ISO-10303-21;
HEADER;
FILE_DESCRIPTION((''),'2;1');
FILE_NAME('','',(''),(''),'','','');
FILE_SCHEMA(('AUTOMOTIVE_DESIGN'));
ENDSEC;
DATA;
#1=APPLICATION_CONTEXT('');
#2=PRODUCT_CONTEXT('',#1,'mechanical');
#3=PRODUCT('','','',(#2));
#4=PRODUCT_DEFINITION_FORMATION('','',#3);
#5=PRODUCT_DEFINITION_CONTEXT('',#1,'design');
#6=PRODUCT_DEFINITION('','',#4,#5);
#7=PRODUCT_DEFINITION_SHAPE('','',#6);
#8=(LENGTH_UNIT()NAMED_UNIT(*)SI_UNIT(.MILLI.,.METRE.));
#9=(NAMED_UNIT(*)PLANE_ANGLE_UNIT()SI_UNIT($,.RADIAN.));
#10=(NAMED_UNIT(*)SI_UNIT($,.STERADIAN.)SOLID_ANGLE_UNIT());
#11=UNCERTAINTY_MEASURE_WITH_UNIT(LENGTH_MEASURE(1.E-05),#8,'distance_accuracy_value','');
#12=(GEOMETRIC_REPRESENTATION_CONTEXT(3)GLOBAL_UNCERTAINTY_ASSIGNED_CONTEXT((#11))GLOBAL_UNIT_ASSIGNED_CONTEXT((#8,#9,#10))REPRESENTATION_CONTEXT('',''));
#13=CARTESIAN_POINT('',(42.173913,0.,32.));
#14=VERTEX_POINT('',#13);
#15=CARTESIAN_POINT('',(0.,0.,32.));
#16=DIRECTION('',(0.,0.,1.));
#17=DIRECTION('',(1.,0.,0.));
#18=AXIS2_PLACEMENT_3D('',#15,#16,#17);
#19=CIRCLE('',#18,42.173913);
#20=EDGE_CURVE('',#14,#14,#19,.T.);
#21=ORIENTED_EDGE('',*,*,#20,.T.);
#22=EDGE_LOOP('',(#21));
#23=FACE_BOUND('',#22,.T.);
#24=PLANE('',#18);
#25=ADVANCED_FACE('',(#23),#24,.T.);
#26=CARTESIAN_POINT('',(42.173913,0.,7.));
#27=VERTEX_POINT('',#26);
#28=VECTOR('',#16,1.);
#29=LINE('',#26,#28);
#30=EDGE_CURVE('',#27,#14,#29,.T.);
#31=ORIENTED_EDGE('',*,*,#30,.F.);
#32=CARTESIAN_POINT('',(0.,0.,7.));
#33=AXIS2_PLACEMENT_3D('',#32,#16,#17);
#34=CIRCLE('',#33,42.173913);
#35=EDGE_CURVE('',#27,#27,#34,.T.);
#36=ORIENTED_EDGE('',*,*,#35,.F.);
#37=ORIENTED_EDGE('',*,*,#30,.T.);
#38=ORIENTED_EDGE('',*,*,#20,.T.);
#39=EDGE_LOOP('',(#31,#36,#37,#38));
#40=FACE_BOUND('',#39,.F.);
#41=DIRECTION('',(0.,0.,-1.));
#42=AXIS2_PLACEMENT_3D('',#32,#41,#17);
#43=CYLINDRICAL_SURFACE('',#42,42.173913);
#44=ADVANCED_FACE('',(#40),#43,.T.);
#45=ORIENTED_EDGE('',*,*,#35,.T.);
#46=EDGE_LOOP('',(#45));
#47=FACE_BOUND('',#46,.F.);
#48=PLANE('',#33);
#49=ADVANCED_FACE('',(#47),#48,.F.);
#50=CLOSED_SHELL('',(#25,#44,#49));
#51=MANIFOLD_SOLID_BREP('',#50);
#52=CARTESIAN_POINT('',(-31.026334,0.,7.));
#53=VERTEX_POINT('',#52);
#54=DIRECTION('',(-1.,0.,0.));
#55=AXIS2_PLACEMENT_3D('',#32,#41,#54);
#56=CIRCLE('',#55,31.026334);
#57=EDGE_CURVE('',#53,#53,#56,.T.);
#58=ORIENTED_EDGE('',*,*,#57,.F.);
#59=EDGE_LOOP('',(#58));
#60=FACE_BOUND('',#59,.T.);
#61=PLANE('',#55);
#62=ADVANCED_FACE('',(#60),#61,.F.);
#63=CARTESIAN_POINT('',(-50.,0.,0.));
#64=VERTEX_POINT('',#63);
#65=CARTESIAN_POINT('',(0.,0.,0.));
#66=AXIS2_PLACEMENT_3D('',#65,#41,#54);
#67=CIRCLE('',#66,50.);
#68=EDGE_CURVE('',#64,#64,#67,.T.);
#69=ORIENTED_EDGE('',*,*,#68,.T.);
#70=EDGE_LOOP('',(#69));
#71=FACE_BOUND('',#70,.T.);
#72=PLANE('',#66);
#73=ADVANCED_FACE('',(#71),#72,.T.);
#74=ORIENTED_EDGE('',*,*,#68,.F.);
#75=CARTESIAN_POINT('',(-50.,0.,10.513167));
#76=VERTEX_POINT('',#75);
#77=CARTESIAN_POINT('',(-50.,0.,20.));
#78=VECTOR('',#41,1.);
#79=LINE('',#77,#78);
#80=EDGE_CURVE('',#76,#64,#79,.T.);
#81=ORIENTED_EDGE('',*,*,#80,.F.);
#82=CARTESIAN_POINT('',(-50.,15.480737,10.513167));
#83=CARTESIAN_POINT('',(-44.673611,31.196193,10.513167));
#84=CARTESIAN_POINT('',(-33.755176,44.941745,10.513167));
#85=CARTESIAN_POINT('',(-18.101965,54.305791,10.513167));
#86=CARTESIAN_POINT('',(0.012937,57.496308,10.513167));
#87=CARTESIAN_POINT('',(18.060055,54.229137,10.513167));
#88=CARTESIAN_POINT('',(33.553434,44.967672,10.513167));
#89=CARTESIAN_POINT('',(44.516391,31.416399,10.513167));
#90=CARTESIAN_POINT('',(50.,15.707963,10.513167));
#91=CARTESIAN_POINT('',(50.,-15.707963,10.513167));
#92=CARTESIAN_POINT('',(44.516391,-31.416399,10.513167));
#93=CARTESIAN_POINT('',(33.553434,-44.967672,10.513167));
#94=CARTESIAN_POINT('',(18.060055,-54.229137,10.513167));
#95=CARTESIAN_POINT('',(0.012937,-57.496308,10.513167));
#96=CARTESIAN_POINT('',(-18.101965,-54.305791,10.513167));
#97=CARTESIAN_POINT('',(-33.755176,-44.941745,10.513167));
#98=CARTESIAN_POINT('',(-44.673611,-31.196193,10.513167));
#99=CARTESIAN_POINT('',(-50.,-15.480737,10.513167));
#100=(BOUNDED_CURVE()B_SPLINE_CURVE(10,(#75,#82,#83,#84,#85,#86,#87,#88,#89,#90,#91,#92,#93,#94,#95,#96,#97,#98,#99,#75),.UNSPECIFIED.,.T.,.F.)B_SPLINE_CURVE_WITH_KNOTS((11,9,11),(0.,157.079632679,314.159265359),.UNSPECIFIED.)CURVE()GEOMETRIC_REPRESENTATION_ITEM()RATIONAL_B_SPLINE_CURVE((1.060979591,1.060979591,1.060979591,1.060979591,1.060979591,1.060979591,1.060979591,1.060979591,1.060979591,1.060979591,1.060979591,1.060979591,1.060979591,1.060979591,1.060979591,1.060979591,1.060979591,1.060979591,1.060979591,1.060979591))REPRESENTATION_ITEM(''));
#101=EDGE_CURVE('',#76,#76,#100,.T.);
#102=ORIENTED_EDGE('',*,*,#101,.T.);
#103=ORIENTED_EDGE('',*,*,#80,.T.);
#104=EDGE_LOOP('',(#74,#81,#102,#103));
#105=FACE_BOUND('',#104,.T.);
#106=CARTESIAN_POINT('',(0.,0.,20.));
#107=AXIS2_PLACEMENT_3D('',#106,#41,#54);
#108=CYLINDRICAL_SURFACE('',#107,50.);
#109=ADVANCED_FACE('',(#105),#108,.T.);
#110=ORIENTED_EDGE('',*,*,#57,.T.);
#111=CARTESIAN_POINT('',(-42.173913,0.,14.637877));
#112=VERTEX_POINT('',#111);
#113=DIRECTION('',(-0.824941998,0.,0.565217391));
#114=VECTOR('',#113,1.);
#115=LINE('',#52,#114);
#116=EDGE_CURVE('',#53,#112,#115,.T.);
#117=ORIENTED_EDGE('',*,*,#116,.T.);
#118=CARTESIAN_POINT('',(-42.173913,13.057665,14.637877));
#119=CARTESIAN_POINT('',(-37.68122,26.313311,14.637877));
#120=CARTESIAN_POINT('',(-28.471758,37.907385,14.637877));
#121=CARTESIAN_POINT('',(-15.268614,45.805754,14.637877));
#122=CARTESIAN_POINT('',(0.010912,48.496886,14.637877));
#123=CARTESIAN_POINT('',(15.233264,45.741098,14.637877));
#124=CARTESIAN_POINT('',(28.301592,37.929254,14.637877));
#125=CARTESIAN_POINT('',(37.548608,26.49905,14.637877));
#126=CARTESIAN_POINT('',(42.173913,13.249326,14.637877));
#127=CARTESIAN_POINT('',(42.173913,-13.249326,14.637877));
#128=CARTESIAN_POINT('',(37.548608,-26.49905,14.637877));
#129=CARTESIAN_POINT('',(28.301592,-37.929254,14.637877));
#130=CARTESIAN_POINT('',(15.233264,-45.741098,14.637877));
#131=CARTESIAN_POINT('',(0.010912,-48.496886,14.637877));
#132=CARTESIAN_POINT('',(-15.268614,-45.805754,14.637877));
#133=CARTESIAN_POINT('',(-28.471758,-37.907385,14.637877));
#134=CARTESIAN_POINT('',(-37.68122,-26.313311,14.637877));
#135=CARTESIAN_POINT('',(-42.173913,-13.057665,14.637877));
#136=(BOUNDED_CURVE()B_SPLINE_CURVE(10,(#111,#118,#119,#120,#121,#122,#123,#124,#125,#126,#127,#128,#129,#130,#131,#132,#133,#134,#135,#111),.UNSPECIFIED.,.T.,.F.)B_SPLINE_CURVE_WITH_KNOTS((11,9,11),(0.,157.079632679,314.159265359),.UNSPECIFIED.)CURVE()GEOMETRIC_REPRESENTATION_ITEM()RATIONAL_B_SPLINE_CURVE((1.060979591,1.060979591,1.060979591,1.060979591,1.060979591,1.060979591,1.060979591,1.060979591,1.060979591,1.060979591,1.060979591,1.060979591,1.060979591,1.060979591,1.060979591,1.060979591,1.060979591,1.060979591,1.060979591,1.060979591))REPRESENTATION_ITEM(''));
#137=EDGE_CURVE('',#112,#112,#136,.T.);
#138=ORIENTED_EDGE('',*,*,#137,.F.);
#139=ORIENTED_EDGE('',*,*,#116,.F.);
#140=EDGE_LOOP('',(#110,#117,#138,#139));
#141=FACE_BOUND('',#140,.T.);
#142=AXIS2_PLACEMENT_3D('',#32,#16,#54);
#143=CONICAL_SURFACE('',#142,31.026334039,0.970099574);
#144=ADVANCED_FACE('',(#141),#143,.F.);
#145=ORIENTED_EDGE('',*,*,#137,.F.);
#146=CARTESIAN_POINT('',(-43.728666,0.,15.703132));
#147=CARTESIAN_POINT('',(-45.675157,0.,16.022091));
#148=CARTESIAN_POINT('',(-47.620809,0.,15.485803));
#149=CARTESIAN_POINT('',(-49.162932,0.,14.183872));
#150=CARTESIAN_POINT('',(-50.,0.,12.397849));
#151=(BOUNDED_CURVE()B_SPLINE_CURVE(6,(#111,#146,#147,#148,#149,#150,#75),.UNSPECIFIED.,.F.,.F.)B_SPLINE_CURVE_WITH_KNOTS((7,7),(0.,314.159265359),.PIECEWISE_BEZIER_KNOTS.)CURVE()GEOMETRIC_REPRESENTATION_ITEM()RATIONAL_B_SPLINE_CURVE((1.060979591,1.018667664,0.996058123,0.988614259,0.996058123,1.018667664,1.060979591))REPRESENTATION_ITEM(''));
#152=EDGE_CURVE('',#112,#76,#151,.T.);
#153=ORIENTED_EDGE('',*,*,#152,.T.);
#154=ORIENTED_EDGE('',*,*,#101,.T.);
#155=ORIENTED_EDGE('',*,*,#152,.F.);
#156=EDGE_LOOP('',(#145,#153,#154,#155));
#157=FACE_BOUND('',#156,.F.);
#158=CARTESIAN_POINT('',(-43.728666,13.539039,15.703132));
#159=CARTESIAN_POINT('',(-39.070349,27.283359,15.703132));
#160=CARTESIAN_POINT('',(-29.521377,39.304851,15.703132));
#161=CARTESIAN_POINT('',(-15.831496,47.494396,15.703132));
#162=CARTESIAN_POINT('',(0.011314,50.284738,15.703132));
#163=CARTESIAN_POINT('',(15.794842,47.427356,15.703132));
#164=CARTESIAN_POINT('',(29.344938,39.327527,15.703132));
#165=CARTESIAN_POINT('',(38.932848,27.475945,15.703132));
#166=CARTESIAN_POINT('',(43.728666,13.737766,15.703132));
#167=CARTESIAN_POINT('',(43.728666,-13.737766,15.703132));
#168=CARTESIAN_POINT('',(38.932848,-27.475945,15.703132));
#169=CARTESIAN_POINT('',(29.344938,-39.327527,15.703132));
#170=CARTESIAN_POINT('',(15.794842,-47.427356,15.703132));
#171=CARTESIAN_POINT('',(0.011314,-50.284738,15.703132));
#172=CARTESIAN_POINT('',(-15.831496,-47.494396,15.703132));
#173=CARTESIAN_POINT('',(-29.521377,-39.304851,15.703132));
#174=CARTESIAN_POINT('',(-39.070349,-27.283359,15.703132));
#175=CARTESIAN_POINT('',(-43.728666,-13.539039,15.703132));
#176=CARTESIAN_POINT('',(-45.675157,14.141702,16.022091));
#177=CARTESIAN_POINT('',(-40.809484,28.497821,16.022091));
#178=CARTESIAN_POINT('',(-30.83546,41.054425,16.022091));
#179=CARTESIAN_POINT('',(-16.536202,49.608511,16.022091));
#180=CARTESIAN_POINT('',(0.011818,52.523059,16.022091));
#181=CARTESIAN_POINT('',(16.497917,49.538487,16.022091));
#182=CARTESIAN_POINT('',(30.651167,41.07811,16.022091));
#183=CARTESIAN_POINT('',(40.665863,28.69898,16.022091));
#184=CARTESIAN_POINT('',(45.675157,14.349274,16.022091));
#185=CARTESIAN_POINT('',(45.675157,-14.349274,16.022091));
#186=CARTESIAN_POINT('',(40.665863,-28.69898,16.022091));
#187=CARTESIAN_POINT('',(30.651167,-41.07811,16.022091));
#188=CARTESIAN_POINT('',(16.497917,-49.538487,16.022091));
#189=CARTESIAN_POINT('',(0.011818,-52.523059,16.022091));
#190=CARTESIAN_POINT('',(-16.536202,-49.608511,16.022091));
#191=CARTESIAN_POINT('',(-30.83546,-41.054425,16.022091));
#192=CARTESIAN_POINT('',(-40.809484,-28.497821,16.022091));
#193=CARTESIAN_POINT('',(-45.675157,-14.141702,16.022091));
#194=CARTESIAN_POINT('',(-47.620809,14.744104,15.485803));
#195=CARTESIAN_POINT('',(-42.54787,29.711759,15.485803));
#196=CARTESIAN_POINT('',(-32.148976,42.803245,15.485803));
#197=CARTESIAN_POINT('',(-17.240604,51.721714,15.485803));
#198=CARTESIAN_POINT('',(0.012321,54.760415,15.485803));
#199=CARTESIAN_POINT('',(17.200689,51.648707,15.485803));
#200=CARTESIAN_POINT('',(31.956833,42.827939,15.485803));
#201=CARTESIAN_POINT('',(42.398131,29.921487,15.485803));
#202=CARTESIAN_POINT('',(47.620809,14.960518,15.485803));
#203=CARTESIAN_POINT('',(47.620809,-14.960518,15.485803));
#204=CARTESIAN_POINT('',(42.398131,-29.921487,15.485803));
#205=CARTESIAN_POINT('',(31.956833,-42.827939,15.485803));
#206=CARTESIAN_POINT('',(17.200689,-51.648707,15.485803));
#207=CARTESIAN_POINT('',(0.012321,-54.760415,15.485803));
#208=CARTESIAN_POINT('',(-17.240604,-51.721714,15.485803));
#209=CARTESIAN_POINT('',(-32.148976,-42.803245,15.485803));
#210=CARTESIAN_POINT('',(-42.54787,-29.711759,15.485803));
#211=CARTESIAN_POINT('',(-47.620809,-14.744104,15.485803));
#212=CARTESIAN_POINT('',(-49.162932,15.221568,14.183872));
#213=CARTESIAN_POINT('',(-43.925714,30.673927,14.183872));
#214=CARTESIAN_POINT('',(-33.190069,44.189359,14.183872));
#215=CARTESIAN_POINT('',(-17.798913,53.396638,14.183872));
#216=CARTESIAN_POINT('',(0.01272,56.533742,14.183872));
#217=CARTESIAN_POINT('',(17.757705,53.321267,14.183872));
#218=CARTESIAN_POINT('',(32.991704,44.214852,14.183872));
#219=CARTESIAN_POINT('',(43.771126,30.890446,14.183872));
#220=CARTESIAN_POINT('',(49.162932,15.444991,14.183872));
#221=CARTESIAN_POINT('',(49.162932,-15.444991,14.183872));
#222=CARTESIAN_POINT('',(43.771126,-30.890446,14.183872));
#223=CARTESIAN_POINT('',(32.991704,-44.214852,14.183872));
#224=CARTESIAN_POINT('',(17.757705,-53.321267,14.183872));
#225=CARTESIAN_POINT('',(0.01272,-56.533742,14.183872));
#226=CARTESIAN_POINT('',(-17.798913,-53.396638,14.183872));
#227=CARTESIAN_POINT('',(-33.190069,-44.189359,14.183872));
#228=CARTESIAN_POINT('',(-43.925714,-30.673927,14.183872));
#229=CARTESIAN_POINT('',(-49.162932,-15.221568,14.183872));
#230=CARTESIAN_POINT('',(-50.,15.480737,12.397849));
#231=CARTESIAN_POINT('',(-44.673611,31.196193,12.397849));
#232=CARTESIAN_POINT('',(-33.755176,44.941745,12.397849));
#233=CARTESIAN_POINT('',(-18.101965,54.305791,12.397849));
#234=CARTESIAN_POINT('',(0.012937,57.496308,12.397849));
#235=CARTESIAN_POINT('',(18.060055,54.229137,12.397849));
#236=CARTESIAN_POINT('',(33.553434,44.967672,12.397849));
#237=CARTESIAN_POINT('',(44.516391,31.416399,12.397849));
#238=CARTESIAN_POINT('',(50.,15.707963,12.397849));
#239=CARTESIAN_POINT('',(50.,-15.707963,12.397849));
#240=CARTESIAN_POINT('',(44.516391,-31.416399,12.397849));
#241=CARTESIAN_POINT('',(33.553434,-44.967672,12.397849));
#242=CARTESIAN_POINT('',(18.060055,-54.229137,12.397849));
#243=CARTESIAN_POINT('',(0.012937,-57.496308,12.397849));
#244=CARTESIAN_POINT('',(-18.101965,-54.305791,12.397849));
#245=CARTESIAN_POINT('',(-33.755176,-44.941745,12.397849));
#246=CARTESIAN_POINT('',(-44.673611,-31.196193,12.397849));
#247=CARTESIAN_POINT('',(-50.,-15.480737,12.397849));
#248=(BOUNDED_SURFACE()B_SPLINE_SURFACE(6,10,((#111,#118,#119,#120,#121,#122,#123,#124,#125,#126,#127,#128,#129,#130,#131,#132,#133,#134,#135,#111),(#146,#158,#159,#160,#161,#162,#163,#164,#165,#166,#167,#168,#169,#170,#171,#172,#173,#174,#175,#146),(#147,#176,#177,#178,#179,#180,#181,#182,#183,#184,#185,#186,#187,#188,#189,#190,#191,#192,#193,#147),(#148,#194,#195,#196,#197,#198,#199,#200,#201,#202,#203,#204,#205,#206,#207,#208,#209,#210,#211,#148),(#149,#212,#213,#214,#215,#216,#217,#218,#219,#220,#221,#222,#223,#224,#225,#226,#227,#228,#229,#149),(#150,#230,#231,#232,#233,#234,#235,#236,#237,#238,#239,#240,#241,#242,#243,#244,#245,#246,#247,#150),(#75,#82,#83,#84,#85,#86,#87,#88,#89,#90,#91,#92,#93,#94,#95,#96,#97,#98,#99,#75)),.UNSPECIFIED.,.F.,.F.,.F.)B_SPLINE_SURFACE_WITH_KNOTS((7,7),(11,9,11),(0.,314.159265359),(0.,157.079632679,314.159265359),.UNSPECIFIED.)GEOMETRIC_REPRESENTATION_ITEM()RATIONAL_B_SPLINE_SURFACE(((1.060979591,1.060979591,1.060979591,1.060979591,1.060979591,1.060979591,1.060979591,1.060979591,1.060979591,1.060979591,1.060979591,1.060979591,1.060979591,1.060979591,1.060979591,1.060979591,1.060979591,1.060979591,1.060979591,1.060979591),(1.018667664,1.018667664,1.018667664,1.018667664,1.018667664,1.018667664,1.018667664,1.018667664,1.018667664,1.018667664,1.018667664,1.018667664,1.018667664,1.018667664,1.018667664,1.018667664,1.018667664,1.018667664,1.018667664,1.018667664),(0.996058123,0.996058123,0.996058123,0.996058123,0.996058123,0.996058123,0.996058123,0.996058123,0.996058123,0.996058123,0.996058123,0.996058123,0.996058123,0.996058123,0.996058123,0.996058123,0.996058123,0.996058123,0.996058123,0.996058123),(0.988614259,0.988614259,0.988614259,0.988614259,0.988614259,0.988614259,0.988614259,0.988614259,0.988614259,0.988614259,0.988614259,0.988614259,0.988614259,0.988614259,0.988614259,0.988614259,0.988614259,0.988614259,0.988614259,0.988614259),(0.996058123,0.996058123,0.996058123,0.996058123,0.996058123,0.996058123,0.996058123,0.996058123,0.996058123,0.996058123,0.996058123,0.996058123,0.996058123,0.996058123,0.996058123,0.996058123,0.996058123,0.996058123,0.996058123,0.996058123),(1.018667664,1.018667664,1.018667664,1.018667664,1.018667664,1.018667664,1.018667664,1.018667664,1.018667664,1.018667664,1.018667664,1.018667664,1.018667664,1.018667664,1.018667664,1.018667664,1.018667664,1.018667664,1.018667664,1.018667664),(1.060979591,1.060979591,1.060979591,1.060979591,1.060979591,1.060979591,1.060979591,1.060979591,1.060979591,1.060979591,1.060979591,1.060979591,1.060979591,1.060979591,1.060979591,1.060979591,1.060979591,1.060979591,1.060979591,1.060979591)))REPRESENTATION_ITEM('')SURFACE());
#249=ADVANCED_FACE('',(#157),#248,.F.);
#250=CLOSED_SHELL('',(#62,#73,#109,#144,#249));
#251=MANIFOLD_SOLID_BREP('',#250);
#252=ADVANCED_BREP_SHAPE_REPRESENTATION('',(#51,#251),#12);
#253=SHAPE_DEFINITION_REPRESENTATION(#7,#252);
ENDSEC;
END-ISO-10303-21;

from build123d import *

# Parameters (mm, degrees)
F2_R     = 5
F3_R     = 42.1739130435
F3_R_2   = 31.026334039
F4_DEPTH = 25


with BuildPart() as f1:
    # F0 (on Front) → F1 (revolve)
    with BuildSketch(Plane.XZ):
        Polygon((-50, 0), (0, 0), (0, 7), (-31.026334039, 7), (-50, 20), align=None)
    revolve(axis=Axis((0, 0, 3.5), (0, 0, -1)))

    # F2
    f2_edges = [f1.edges().sort_by_distance(p)[0] for p in [
        (50, 0, 20),
    ]]
    fillet(f2_edges, radius=F2_R)


with BuildPart() as f4:
    # F3 (on face) → F4 (new body)
    with BuildSketch(Plane.XY.offset(7)):
        Circle(F3_R)
        Circle(F3_R_2, mode=Mode.SUBTRACT)
        Circle(F3_R_2)
    extrude(amount=F4_DEPTH)


solid = Compound([f1.part, f4.part])
